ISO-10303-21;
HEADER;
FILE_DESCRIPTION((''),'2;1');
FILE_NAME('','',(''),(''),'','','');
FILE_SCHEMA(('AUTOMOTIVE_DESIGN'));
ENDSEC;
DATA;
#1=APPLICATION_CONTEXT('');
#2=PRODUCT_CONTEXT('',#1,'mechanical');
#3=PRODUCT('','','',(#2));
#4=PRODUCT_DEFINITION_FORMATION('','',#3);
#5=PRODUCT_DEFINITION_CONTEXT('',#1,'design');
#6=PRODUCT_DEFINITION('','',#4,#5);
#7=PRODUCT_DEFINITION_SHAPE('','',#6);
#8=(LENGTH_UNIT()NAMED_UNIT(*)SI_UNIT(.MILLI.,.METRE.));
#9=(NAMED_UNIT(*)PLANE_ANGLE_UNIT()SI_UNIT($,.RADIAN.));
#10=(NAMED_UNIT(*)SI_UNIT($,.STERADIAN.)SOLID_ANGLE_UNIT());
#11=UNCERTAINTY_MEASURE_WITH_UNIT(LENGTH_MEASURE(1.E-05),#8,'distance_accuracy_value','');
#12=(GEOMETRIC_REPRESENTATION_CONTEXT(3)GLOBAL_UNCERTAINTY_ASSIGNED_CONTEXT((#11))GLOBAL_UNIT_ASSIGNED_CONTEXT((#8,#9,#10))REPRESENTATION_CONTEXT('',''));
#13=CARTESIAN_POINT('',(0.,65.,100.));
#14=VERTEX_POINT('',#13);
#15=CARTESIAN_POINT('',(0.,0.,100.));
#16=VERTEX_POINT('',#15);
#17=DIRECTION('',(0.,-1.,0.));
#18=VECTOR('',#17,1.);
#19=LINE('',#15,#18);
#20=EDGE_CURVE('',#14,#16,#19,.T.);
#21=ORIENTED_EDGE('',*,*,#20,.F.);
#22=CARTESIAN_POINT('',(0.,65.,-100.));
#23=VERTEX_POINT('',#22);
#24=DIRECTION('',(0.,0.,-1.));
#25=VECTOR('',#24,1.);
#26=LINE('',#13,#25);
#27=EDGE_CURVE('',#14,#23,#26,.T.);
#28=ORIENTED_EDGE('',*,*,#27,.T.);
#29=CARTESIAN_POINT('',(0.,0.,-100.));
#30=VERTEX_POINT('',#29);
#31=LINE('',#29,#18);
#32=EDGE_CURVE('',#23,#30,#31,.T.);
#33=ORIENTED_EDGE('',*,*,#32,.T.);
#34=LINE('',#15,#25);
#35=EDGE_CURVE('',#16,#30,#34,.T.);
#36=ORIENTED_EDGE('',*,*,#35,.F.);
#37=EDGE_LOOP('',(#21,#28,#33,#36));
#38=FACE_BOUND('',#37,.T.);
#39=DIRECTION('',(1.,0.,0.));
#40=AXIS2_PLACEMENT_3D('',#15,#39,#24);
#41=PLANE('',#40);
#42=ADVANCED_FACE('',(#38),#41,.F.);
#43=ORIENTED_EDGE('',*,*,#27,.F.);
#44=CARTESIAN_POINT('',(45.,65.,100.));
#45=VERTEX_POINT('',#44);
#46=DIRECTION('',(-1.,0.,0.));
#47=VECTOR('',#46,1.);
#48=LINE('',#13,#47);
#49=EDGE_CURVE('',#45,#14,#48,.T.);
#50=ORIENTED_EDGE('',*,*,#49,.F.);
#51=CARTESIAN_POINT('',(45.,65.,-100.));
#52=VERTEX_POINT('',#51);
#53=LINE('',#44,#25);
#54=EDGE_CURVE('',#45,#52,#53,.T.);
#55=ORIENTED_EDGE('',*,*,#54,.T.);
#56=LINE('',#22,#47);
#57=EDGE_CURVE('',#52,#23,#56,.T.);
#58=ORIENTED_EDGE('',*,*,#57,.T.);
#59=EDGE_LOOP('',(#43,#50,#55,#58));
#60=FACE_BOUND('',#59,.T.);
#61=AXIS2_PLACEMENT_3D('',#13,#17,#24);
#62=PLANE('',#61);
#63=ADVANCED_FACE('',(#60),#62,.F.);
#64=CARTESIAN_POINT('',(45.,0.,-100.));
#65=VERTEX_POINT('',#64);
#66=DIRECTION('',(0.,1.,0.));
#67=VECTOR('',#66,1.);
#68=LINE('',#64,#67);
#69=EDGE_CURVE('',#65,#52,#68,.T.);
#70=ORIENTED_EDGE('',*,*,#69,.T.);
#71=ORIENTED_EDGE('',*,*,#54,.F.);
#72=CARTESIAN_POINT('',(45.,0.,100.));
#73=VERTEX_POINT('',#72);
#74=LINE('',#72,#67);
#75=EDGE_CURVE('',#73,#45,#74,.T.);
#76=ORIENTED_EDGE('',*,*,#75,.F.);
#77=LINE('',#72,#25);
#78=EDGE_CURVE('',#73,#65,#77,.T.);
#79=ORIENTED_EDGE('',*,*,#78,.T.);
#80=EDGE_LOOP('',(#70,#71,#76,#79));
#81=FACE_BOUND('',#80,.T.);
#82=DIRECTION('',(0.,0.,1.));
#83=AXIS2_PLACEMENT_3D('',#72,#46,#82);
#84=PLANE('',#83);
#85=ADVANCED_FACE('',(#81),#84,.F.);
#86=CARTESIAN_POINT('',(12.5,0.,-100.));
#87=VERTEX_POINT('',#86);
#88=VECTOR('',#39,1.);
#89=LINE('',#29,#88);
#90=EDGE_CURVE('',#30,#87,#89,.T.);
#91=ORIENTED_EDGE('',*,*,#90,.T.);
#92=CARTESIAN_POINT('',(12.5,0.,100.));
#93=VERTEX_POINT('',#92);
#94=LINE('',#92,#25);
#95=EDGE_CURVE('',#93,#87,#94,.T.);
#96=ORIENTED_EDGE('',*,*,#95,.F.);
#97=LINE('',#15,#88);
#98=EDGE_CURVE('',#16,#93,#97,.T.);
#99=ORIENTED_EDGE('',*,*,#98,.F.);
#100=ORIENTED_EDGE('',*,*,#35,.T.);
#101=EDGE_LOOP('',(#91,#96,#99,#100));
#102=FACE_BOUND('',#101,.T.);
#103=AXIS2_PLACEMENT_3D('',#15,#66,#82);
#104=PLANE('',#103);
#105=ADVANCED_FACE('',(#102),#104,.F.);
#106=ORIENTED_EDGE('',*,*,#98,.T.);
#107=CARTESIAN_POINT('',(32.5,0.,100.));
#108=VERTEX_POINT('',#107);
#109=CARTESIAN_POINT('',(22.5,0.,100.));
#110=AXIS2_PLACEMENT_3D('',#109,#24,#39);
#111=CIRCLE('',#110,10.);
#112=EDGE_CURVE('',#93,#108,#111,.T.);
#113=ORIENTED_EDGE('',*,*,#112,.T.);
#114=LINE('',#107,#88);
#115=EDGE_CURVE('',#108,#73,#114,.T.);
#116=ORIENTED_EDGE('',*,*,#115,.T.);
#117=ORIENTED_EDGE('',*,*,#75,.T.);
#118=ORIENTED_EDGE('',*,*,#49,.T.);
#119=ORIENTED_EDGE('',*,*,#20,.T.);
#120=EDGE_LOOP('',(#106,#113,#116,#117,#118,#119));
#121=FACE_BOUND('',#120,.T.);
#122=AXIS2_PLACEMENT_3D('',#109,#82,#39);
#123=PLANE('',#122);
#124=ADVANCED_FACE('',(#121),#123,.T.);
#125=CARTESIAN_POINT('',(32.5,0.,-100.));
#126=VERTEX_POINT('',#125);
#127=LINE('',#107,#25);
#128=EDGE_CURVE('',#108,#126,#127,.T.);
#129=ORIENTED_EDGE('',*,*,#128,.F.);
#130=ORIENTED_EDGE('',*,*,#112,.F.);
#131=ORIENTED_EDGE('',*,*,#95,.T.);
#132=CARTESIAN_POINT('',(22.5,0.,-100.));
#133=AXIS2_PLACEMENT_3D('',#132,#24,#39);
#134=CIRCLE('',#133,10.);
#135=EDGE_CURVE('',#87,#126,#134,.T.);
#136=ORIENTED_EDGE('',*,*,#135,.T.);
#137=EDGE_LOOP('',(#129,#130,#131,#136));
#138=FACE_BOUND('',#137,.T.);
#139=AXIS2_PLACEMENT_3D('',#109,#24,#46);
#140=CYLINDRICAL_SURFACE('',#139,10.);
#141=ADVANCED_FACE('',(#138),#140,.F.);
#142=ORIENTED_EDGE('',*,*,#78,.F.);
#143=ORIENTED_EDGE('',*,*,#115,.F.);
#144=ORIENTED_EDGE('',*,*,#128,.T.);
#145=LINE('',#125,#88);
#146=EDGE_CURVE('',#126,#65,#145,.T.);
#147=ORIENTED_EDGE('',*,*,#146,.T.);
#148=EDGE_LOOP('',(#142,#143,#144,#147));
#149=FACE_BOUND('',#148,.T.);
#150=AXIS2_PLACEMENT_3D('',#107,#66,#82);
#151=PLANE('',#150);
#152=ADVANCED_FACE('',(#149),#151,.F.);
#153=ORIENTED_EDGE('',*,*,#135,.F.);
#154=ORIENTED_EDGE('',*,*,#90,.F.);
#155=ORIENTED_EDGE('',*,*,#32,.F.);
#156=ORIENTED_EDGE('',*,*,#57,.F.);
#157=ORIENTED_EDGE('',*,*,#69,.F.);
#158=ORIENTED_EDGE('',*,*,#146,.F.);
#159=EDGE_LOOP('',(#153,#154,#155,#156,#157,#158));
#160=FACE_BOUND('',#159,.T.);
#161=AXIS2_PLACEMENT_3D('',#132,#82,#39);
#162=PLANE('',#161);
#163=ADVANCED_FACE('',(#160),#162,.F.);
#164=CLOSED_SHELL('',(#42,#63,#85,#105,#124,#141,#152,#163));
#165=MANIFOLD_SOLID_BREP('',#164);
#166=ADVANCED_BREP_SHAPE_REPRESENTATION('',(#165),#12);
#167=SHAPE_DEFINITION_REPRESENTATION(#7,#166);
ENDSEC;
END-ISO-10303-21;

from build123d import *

# Parameters (mm, degrees)
BASE_EXTRUDE_DEPTH = 100


with BuildPart() as part:
    # Sketch1 → Base-Extrude (new body, symmetric)
    with BuildSketch(Plane.XY):
        with BuildLine():
            Line((32.5, 0), (45, 0))
            Line((45, 0), (45, 65))
            Line((45, 65), (0, 65))
            Line((0, 65), (0, 0))
            Line((0, 0), (12.5, 0))
            ThreePointArc((12.5, 0), (22.5, 10), (32.5, 0))
        make_face()
    extrude(amount=BASE_EXTRUDE_DEPTH, both=True)


solid = part.part
